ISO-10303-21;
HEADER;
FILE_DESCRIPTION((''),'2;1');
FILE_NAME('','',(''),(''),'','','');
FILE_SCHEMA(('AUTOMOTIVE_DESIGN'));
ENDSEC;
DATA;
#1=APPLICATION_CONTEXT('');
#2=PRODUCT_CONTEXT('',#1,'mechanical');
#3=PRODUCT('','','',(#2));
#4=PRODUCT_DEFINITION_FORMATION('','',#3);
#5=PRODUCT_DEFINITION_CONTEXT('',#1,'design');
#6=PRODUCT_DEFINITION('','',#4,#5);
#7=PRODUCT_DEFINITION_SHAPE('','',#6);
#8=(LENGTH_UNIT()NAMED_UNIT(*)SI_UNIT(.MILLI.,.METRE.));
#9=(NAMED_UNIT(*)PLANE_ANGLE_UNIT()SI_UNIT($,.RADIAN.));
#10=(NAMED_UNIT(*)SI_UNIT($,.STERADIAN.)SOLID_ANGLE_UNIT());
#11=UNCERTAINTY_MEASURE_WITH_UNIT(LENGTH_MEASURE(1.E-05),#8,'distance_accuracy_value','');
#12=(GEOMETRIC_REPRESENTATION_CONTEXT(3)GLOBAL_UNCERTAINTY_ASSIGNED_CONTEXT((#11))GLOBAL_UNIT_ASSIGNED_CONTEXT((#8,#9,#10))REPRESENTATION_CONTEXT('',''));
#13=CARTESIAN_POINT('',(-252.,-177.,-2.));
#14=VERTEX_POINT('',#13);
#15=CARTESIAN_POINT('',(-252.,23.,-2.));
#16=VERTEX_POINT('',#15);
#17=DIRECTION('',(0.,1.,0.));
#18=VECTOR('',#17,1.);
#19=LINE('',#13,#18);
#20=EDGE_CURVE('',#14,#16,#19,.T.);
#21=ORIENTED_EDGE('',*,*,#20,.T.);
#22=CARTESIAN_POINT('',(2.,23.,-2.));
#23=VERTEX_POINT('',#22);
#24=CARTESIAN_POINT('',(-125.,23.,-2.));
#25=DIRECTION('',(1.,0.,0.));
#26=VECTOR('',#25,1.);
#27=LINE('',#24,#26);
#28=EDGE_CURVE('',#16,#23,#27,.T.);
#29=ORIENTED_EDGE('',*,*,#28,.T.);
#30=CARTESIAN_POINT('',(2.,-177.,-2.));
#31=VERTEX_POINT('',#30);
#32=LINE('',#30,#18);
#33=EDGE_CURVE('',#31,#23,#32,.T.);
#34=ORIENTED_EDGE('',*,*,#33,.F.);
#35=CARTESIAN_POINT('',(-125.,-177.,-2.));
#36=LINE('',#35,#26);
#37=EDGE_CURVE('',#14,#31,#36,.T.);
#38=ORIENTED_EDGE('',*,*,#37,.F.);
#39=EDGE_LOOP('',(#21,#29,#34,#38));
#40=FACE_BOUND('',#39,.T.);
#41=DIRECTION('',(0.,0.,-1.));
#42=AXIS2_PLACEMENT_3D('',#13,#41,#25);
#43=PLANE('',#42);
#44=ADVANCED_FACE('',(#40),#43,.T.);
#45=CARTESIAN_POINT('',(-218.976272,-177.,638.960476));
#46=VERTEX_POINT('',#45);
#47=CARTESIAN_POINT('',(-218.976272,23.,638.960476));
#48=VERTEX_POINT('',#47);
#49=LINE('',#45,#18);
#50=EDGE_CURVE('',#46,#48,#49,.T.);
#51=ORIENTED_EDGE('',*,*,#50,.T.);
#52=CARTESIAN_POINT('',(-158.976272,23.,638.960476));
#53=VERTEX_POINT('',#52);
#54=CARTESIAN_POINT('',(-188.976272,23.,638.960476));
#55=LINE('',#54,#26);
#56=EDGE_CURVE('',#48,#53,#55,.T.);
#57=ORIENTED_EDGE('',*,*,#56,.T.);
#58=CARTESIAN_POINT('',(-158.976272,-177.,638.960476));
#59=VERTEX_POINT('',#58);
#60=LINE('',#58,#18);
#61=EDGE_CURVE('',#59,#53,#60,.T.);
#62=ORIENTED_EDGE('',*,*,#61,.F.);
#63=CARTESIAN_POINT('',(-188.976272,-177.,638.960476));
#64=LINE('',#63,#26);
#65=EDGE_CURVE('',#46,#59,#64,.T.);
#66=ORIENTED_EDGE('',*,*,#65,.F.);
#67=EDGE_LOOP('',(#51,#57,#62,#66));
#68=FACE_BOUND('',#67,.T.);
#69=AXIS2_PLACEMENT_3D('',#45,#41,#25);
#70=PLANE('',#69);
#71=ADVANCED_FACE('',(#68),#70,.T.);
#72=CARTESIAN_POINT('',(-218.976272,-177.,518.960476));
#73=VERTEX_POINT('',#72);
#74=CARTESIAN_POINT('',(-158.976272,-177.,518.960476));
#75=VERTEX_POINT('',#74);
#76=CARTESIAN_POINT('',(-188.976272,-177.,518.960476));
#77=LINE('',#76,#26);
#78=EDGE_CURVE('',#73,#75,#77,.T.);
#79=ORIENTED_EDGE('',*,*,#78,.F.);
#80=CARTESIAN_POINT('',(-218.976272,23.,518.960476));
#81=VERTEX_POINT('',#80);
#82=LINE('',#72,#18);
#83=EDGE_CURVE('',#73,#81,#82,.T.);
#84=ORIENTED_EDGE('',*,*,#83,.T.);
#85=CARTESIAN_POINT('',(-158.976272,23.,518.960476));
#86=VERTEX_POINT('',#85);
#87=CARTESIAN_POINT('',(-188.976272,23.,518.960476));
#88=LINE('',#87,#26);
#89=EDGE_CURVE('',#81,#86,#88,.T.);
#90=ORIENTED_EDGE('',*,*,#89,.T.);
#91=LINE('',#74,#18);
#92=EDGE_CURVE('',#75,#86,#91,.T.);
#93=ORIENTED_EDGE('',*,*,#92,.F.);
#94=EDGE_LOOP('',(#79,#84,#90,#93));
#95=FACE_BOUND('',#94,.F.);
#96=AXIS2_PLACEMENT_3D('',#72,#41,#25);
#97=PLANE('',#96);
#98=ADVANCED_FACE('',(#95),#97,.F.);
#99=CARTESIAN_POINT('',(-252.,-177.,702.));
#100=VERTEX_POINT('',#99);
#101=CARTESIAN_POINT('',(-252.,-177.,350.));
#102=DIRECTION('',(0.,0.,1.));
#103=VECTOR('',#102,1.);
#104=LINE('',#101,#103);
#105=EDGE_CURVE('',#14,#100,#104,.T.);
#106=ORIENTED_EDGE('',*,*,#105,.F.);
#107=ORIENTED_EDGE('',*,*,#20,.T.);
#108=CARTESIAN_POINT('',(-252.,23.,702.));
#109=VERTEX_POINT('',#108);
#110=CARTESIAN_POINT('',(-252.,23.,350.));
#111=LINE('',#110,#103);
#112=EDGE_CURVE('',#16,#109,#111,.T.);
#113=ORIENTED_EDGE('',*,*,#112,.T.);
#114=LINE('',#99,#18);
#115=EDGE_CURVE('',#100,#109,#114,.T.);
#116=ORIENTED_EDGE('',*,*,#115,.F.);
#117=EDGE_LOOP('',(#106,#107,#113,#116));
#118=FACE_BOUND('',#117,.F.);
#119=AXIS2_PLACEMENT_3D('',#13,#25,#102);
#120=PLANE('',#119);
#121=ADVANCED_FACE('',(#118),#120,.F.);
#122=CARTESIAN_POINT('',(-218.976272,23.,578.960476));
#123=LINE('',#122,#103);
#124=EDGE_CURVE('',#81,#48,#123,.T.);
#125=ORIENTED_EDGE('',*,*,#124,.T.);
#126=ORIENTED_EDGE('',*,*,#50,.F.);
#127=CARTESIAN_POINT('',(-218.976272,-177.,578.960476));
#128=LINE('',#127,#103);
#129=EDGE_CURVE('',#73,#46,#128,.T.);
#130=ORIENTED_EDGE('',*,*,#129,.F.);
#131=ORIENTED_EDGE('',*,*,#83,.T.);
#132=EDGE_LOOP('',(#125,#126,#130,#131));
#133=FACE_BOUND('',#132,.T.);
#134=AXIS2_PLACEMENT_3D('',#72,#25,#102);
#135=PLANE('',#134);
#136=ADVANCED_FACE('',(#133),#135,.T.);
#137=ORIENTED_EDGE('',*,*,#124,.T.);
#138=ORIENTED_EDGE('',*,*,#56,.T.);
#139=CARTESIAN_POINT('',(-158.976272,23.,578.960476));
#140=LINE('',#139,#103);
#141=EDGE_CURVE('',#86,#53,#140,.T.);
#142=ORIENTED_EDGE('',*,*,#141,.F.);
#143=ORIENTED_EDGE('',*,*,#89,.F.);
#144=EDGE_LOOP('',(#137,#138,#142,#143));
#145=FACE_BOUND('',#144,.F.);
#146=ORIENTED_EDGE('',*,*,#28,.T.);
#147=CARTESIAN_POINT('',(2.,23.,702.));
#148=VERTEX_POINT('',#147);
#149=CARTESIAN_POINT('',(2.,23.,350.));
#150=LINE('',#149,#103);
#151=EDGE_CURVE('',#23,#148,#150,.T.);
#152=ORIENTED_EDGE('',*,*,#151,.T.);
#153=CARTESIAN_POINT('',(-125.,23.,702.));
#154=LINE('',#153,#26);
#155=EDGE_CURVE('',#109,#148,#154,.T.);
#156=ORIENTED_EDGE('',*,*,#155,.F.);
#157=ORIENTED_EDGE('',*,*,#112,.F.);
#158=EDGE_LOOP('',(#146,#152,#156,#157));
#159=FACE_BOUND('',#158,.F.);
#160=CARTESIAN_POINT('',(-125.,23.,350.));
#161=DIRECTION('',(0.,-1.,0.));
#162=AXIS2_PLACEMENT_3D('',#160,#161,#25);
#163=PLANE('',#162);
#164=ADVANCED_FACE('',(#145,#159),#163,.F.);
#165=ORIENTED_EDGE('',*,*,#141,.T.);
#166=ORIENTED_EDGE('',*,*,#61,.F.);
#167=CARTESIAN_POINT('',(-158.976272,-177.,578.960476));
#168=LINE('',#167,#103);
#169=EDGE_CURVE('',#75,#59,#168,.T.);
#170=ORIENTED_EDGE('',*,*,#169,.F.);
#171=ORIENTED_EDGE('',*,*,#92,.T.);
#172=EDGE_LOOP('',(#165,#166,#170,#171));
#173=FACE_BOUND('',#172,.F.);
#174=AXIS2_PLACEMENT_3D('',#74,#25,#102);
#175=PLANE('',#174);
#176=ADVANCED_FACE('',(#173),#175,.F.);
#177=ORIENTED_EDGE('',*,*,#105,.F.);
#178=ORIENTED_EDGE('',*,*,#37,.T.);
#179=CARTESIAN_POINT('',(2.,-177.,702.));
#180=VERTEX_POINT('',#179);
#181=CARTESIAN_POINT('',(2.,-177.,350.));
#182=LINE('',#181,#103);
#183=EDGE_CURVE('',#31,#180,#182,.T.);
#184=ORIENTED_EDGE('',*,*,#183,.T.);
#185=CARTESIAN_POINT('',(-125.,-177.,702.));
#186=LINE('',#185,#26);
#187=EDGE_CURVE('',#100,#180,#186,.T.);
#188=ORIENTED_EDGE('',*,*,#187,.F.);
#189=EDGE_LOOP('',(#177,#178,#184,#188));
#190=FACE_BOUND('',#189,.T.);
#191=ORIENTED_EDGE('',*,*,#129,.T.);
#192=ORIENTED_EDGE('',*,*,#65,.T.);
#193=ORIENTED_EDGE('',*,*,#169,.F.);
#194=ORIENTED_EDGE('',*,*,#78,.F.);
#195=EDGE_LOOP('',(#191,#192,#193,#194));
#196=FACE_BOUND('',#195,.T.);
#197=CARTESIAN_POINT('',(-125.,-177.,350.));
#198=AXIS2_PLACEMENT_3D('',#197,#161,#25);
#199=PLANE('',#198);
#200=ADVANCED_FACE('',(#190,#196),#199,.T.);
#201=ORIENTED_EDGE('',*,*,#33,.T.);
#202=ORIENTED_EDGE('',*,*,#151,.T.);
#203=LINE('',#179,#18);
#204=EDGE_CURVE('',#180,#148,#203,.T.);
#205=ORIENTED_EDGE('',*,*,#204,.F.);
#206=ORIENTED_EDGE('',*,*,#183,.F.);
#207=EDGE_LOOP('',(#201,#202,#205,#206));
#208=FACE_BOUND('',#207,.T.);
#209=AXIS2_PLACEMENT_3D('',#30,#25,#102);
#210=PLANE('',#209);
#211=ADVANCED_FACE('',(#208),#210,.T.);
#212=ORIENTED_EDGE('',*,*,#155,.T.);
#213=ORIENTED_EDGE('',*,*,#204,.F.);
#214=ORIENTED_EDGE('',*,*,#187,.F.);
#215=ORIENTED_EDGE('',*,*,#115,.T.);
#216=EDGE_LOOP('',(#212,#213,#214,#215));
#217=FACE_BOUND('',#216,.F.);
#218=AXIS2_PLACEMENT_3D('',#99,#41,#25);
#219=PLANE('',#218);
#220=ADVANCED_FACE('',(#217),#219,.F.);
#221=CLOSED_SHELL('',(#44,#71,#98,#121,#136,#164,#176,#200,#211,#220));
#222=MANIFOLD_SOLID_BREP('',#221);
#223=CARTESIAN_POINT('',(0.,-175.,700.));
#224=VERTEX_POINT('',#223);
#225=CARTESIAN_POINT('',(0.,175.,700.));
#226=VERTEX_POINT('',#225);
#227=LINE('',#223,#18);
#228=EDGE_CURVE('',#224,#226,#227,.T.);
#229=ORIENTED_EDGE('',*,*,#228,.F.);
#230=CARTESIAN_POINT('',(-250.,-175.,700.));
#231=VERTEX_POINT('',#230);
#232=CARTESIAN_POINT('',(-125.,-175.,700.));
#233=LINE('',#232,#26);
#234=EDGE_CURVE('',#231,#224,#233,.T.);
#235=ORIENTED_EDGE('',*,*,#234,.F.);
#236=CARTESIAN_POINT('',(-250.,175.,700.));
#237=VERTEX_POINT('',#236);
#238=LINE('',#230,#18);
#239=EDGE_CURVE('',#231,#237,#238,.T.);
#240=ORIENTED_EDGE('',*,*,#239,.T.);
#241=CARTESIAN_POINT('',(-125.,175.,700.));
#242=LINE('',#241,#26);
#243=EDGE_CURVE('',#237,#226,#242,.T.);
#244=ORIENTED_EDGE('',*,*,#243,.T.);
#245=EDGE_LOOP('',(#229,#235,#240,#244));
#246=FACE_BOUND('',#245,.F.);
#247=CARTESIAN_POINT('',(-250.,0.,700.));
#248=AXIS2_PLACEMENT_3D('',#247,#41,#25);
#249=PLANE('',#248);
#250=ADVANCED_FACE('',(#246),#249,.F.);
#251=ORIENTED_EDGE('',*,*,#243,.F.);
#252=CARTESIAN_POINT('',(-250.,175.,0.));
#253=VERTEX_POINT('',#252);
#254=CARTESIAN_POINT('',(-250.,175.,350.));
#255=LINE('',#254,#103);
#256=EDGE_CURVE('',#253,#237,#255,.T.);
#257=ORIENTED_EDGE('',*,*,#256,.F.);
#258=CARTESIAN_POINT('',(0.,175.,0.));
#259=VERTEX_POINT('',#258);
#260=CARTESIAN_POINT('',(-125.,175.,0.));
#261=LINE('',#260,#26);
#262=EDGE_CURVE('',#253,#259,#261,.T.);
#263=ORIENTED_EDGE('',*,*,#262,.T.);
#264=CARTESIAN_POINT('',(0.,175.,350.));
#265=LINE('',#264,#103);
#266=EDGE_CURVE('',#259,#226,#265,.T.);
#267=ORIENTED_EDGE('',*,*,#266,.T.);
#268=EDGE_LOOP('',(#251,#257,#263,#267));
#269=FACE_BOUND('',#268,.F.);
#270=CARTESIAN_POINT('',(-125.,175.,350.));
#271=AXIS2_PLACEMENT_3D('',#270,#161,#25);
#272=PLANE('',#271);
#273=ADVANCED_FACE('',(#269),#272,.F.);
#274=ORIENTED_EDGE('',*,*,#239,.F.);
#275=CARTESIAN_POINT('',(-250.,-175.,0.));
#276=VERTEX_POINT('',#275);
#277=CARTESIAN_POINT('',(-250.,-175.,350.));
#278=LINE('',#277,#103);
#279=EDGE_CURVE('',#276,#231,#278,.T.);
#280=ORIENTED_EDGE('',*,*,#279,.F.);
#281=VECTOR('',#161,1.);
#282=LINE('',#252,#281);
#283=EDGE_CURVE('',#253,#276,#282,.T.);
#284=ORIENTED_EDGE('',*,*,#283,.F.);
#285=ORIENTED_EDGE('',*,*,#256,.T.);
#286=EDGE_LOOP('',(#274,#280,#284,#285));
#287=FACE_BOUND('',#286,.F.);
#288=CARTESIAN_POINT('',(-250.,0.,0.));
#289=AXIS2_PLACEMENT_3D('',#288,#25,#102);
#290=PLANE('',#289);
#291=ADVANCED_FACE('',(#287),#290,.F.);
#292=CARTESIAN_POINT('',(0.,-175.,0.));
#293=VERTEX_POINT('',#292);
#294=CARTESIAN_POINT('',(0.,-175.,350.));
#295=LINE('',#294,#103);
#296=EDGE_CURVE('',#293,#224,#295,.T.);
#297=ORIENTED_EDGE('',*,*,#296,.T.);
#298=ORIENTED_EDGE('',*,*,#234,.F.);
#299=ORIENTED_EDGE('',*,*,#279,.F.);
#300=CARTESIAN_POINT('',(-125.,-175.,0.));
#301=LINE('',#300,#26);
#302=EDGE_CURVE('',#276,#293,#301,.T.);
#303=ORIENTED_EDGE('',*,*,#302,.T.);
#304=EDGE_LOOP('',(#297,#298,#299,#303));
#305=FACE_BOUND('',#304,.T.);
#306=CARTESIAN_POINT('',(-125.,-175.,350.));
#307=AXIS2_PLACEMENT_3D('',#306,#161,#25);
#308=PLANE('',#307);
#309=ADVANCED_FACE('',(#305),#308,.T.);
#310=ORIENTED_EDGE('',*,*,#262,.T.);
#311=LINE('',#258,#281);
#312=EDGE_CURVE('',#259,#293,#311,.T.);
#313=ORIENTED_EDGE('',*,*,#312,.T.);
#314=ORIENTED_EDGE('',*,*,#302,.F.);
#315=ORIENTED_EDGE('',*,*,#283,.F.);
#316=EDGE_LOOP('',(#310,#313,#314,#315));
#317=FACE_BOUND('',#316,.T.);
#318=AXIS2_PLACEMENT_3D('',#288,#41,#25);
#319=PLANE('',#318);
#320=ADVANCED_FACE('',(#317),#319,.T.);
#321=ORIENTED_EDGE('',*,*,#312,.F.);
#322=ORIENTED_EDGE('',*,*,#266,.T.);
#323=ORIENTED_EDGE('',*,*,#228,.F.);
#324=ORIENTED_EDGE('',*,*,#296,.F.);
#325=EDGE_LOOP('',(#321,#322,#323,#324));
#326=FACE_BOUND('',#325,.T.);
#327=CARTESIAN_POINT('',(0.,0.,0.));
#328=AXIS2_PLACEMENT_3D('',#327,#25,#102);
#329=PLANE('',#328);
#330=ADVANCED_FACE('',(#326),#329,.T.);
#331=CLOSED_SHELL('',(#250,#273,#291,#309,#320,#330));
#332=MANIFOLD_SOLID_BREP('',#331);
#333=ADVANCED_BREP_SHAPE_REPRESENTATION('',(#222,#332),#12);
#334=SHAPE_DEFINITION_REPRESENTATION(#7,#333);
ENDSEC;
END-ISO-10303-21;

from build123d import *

# Parameters (mm, degrees)
F0_W     = 250
F0_H     = 700
F1_DEPTH = 175
F3_W     = 254
F3_H     = 704
F3_W_2   = 250
F3_H_2   = 700
F3_W_3   = 60
F3_H_3   = 120
F4_DEPTH = 200


with BuildPart() as f1:
    # F0 (on Front) → F1 (new body, symmetric)
    with BuildSketch(Plane.XZ):
        with Locations((-125, 350)):
            Rectangle(F0_W, F0_H)
    extrude(amount=F1_DEPTH, both=True)


with BuildPart() as f4:
    # F3 (on offset) → F4 (new body)
    with BuildSketch(Plane.XZ.offset(177)):
        with Locations((-125, 350)):
            Rectangle(F3_W, F3_H)
        with Locations((-125, 350)):
            Rectangle(F3_W_2, F3_H_2, mode=Mode.SUBTRACT)
        with Locations((-125, 350)):
            Rectangle(F3_W_2, F3_H_2)
        with Locations((-188.9762717485, 578.9604759216)):
            Rectangle(F3_W_3, F3_H_3, mode=Mode.SUBTRACT)
    extrude(amount=-F4_DEPTH)


solid = Compound([f1.part, f4.part])
